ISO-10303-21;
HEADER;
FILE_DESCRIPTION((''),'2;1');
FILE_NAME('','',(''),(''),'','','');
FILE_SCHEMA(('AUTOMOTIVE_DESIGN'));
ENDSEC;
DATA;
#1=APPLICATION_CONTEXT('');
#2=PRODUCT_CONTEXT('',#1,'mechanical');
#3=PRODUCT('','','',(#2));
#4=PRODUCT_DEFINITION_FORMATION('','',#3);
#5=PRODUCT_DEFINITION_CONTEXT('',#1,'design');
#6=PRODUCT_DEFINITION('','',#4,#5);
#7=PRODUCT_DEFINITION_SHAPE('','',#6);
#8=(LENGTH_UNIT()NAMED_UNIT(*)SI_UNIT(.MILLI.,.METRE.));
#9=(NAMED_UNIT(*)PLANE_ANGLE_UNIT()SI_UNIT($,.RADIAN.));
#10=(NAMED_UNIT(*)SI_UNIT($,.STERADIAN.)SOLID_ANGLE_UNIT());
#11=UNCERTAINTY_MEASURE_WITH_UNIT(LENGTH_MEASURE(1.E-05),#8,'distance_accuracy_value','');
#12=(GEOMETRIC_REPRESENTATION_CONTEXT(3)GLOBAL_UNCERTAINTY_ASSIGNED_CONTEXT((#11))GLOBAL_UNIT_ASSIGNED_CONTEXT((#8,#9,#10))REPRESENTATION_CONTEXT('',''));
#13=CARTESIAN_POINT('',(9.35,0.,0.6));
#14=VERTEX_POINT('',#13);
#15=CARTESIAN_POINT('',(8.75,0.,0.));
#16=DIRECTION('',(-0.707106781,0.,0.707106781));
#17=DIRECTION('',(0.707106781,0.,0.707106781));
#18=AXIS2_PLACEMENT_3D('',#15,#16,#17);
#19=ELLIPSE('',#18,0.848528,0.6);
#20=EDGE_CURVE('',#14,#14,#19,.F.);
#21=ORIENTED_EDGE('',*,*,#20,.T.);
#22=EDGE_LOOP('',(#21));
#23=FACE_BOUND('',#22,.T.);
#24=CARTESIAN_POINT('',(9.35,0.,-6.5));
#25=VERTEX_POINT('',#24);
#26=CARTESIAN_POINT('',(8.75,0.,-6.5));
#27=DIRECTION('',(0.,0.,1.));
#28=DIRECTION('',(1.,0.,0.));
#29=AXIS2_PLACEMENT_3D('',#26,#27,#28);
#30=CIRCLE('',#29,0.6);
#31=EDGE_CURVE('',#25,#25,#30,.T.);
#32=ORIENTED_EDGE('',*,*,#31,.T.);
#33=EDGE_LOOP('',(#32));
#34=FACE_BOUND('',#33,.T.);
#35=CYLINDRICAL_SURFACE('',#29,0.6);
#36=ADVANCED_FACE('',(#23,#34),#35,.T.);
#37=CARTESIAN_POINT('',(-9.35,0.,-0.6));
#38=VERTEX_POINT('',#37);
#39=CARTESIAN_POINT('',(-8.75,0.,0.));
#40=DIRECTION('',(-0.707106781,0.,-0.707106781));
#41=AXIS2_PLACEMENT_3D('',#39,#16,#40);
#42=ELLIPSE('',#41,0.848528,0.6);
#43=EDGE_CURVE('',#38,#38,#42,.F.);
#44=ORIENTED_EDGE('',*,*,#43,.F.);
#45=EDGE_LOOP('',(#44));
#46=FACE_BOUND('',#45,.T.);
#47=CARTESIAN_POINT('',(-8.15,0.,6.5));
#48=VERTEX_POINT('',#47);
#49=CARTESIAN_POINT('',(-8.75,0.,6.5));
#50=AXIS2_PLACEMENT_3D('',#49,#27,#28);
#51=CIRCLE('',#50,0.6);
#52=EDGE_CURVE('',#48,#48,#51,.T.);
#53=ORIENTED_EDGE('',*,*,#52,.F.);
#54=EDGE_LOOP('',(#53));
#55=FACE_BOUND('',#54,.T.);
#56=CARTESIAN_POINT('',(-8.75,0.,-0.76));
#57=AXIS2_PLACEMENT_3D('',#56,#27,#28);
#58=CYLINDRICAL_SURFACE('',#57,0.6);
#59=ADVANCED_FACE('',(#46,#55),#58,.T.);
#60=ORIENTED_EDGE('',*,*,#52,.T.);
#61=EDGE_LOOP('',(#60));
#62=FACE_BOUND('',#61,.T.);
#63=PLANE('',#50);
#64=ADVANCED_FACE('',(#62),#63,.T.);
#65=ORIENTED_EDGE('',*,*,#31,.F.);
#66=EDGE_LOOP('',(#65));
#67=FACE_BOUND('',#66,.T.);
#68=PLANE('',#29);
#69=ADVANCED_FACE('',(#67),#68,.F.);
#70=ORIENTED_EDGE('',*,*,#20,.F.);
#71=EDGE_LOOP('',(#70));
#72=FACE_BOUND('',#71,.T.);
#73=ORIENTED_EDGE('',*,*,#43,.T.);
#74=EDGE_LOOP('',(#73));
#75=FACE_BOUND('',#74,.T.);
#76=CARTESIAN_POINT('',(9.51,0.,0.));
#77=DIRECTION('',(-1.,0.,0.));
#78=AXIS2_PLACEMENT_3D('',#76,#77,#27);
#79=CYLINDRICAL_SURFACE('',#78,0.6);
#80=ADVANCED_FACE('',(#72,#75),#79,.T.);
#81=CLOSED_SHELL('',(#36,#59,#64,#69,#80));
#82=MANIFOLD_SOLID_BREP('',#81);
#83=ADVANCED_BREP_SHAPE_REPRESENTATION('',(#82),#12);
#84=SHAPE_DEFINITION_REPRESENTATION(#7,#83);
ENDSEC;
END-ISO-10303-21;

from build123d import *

# Parameters (mm, degrees)
SKETCH2_R = 0.6


with BuildPart() as part:
    # Sweep1: sweep along a path in Sketch1
    with BuildLine(Plane(origin=(0, 0, 0), x_dir=(1, 0, 0), z_dir=(0, 1, 0))) as sweep1_path:
        Line((8.75, 6.5), (8.75, 0))
        Line((8.75, 0), (-8.75, 0))
        Line((-8.75, 0), (-8.75, -6.5))
    # Sketch2 → Sweep1 (sweep)
    with BuildSketch(Plane(origin=(-8.75, 0, 6.5), x_dir=(1, 0, 0), z_dir=(0, 0, 1))):
        Circle(SKETCH2_R)
    sweep(path=sweep1_path.line, transition=Transition.RIGHT)


solid = part.part
